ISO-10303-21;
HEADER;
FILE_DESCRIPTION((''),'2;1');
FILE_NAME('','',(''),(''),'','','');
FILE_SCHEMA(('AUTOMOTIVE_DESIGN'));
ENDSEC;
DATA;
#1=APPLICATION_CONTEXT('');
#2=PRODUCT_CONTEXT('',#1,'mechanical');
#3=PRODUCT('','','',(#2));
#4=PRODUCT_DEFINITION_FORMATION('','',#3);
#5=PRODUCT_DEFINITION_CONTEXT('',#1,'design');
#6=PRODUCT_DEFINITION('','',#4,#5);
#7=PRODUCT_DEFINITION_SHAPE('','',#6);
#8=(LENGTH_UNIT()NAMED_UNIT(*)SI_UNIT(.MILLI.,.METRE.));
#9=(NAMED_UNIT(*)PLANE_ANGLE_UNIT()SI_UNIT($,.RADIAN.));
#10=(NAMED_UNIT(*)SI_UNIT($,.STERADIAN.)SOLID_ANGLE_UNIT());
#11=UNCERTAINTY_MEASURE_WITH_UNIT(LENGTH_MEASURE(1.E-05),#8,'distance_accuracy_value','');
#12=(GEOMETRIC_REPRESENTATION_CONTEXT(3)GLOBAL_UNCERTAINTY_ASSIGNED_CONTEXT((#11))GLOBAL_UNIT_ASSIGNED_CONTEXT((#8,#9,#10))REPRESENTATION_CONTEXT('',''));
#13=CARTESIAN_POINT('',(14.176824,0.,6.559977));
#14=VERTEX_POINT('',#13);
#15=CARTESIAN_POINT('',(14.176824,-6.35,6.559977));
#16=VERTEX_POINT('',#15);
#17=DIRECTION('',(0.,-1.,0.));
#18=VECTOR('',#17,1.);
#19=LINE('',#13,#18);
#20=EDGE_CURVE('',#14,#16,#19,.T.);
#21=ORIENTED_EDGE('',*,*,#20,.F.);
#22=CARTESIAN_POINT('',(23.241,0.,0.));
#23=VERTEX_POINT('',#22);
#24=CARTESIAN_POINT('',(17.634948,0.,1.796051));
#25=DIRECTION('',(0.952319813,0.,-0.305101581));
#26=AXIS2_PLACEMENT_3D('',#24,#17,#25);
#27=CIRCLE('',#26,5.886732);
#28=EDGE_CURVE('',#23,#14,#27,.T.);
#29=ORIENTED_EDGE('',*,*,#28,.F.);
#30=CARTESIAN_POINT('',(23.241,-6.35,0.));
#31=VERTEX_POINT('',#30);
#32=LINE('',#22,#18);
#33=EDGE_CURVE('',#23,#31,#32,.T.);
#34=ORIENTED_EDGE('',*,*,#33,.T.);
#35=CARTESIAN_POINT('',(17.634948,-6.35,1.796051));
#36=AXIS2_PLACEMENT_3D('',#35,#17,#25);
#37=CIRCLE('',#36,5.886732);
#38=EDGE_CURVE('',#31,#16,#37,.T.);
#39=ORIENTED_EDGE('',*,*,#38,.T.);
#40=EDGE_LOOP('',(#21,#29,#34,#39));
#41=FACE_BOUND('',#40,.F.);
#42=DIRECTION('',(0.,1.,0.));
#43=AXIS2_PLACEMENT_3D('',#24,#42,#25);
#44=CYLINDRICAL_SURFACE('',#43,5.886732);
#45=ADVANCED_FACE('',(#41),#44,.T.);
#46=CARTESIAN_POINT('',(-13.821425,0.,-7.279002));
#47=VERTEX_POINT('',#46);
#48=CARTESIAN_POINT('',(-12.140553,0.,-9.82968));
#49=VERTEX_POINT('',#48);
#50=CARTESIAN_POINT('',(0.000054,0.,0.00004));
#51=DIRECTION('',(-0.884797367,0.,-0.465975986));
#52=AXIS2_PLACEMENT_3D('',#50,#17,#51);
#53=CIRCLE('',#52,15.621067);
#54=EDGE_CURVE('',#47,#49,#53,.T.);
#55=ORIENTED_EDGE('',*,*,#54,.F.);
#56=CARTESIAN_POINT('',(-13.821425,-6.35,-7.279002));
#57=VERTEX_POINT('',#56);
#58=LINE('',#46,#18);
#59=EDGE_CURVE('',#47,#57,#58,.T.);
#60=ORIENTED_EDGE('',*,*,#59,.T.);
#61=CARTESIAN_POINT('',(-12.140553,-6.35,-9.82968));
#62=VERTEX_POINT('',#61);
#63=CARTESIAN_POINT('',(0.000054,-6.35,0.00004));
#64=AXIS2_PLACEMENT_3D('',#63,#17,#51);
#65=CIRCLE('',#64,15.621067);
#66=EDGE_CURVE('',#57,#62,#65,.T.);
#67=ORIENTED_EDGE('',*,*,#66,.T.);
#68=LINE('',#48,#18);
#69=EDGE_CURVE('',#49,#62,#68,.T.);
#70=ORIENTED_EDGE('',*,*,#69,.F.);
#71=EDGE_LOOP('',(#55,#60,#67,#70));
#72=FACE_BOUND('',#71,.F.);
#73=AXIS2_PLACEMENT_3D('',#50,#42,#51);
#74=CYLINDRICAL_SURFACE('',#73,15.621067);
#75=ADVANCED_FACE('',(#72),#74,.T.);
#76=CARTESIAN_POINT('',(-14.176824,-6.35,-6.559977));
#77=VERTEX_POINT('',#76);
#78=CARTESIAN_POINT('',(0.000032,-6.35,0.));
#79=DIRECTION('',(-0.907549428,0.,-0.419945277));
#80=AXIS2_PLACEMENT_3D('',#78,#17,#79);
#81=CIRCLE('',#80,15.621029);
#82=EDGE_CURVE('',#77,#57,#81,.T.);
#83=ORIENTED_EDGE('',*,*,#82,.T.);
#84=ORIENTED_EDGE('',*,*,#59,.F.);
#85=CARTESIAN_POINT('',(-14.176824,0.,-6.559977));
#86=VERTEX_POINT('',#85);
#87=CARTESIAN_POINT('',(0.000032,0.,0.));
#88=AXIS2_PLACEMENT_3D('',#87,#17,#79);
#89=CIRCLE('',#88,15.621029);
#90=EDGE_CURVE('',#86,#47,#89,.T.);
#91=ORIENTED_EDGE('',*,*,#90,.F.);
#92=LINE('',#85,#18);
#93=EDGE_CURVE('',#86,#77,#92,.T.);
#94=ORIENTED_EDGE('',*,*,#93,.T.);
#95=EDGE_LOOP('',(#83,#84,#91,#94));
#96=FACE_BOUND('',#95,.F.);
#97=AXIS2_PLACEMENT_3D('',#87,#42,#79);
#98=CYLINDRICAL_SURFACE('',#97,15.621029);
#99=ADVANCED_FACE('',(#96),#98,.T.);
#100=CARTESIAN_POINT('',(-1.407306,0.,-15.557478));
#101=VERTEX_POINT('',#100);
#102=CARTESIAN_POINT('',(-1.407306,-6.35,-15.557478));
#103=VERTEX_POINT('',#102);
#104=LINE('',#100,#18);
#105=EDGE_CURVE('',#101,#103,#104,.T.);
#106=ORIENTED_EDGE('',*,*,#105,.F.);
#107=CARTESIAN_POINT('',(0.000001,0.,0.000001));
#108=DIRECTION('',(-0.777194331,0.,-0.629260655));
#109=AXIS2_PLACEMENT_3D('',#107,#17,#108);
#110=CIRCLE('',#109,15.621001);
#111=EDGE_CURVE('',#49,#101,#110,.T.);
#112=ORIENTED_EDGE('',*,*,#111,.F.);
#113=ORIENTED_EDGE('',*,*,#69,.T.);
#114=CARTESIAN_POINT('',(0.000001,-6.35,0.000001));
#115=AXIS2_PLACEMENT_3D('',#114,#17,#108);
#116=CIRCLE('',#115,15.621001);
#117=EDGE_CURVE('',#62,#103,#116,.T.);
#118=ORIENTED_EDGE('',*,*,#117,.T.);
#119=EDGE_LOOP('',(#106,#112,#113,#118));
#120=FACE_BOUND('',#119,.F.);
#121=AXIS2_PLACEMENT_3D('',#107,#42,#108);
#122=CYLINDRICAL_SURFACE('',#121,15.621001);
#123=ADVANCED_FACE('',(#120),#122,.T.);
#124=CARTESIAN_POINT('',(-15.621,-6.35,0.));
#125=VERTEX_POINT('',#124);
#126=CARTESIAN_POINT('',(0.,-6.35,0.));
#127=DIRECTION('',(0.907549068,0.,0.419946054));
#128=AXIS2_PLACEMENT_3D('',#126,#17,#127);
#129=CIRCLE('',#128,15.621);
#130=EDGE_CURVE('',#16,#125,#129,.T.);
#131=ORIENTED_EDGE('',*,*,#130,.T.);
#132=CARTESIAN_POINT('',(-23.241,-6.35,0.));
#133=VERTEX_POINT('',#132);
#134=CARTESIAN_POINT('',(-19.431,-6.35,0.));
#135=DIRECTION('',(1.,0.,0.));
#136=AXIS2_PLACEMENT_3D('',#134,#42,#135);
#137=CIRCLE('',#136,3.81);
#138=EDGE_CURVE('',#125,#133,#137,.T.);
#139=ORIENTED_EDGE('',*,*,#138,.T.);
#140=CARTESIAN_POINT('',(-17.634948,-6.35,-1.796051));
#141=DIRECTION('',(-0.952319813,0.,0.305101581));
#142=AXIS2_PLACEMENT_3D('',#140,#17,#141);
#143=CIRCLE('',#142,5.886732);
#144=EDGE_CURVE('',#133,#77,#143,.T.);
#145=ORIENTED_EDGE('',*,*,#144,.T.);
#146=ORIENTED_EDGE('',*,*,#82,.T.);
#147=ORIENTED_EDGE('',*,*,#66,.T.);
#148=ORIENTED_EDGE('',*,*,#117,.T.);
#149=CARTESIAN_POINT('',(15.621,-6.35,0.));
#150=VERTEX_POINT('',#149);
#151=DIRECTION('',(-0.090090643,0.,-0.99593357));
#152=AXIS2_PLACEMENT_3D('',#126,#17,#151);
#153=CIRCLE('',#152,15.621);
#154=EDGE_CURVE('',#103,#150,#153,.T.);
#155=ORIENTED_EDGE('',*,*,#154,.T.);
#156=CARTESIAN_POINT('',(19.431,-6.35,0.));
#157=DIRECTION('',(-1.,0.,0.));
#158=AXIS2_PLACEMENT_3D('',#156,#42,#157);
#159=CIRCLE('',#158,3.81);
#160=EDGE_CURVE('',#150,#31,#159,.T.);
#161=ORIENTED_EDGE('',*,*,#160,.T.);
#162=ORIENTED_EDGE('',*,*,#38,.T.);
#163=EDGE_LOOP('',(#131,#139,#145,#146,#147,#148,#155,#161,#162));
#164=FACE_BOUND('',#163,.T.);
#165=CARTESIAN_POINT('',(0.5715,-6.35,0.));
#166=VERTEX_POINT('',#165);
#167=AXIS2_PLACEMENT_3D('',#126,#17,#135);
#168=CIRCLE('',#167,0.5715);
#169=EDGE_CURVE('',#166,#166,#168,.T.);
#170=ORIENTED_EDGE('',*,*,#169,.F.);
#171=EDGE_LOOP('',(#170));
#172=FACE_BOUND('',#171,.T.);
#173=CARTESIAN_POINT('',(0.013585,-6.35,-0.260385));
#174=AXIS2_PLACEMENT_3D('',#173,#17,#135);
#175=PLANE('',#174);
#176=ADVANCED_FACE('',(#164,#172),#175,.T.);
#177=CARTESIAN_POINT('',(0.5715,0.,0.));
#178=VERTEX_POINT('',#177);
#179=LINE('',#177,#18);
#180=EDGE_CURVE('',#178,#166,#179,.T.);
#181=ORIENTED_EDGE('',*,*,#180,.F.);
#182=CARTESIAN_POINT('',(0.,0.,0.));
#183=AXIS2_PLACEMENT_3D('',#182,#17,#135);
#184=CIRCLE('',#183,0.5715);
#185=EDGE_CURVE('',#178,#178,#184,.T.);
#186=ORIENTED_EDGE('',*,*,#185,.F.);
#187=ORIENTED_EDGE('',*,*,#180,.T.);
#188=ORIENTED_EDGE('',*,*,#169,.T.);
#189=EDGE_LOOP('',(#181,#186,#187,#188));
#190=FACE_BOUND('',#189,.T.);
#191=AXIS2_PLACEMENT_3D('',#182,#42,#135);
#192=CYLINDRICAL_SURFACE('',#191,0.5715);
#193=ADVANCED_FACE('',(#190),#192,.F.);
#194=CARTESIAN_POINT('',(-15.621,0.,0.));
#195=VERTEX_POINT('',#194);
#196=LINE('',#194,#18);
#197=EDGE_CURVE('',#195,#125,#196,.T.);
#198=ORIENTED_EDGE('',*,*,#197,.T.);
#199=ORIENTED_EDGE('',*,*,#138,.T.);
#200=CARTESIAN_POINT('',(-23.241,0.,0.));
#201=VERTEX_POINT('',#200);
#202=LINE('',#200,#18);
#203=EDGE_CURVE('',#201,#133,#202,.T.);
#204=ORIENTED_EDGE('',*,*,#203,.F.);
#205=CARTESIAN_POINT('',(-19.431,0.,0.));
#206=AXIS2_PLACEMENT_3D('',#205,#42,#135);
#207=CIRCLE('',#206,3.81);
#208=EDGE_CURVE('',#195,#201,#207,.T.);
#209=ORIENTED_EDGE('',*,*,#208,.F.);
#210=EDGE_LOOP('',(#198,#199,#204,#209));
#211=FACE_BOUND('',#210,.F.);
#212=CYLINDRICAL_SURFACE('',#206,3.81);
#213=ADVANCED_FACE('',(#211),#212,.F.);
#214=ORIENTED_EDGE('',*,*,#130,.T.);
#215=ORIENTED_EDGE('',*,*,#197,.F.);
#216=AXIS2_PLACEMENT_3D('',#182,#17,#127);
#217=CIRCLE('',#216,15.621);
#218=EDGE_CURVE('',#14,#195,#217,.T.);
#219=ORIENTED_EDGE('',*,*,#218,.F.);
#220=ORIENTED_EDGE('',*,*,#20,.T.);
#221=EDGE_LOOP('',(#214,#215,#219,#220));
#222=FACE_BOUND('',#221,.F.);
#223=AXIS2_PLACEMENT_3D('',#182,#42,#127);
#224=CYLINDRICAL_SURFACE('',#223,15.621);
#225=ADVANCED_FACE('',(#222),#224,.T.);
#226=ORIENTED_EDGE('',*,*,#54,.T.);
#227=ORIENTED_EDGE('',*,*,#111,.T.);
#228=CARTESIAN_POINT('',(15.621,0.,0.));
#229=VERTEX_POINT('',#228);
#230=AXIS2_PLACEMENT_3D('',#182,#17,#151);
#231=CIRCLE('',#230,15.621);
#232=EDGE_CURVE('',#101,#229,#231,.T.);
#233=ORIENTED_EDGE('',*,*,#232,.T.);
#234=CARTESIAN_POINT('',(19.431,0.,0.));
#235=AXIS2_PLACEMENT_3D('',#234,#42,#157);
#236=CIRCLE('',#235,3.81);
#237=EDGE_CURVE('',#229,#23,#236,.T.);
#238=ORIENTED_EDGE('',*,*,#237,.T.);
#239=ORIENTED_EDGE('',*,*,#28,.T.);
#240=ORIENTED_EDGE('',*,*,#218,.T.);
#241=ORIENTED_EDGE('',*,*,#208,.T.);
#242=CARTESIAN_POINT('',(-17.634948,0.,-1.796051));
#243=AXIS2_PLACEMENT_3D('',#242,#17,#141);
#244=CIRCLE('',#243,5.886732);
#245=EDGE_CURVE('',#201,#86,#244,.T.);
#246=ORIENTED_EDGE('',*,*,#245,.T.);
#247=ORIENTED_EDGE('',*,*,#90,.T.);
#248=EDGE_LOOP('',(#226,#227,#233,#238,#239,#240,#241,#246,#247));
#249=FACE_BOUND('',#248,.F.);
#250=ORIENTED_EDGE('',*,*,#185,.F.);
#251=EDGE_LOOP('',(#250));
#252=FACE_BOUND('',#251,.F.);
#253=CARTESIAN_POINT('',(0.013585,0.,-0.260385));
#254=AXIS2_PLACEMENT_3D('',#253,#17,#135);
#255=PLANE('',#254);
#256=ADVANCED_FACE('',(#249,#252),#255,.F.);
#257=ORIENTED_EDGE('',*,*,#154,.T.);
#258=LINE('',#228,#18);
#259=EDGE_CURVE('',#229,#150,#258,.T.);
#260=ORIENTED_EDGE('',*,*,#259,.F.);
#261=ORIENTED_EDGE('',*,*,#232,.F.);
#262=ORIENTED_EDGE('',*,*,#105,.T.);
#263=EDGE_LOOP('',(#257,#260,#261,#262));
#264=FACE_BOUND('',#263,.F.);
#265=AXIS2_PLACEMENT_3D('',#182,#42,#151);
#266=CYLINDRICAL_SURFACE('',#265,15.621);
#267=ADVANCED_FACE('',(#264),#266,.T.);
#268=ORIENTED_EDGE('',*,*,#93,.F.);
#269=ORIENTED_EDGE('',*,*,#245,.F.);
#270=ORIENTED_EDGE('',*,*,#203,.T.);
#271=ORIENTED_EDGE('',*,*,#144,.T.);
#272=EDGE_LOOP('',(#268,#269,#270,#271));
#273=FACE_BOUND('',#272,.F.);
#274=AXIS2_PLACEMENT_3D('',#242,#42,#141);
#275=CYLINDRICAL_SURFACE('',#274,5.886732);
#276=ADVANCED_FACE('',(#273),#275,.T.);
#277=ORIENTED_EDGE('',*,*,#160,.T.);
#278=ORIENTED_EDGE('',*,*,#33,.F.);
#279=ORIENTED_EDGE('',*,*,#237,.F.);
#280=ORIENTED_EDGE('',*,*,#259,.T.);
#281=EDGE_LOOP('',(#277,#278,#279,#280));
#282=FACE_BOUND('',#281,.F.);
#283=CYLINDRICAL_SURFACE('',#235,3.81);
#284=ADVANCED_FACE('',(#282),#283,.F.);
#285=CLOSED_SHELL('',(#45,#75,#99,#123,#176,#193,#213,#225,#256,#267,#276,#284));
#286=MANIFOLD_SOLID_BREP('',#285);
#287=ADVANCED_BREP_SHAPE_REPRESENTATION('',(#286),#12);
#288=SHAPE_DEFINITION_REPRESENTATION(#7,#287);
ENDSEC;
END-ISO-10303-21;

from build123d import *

# Parameters (mm, degrees)
F0_R     = 0.5715
F1_DEPTH = 6.35


with BuildPart() as f1:
    # F0 (on Front) → F1 (new body)
    with BuildSketch(Plane.XZ):
        with BuildLine():
            ThreePointArc((23.241, 0), (21.086285, 6.564897), (14.176824, 6.559977))
            ThreePointArc((14.176824, 6.559977), (-3.358532, 15.255684), (-15.621, 0))
            ThreePointArc((-15.621, 0), (-19.431, -3.81), (-23.241, 0))
            ThreePointArc((-23.241, 0), (-21.086285, -6.564897), (-14.176824, -6.559977))
            ThreePointArc((-14.176824, -6.559977), (-14.00374, -6.921771), (-13.821425, -7.279002))
            ThreePointArc((-13.821425, -7.279002), (-13.043487, -8.595527), (-12.140553, -9.82968))
            ThreePointArc((-12.140553, -9.82968), (-7.354457, -13.781422), (-1.407306, -15.557478))
            ThreePointArc((-1.407306, -15.557478), (10.536416, -11.532544), (15.621, 0))
            ThreePointArc((15.621, 0), (19.431, 3.81), (23.241, 0))
        make_face()
        Circle(F0_R, mode=Mode.SUBTRACT)
    extrude(amount=F1_DEPTH)


solid = f1.part
